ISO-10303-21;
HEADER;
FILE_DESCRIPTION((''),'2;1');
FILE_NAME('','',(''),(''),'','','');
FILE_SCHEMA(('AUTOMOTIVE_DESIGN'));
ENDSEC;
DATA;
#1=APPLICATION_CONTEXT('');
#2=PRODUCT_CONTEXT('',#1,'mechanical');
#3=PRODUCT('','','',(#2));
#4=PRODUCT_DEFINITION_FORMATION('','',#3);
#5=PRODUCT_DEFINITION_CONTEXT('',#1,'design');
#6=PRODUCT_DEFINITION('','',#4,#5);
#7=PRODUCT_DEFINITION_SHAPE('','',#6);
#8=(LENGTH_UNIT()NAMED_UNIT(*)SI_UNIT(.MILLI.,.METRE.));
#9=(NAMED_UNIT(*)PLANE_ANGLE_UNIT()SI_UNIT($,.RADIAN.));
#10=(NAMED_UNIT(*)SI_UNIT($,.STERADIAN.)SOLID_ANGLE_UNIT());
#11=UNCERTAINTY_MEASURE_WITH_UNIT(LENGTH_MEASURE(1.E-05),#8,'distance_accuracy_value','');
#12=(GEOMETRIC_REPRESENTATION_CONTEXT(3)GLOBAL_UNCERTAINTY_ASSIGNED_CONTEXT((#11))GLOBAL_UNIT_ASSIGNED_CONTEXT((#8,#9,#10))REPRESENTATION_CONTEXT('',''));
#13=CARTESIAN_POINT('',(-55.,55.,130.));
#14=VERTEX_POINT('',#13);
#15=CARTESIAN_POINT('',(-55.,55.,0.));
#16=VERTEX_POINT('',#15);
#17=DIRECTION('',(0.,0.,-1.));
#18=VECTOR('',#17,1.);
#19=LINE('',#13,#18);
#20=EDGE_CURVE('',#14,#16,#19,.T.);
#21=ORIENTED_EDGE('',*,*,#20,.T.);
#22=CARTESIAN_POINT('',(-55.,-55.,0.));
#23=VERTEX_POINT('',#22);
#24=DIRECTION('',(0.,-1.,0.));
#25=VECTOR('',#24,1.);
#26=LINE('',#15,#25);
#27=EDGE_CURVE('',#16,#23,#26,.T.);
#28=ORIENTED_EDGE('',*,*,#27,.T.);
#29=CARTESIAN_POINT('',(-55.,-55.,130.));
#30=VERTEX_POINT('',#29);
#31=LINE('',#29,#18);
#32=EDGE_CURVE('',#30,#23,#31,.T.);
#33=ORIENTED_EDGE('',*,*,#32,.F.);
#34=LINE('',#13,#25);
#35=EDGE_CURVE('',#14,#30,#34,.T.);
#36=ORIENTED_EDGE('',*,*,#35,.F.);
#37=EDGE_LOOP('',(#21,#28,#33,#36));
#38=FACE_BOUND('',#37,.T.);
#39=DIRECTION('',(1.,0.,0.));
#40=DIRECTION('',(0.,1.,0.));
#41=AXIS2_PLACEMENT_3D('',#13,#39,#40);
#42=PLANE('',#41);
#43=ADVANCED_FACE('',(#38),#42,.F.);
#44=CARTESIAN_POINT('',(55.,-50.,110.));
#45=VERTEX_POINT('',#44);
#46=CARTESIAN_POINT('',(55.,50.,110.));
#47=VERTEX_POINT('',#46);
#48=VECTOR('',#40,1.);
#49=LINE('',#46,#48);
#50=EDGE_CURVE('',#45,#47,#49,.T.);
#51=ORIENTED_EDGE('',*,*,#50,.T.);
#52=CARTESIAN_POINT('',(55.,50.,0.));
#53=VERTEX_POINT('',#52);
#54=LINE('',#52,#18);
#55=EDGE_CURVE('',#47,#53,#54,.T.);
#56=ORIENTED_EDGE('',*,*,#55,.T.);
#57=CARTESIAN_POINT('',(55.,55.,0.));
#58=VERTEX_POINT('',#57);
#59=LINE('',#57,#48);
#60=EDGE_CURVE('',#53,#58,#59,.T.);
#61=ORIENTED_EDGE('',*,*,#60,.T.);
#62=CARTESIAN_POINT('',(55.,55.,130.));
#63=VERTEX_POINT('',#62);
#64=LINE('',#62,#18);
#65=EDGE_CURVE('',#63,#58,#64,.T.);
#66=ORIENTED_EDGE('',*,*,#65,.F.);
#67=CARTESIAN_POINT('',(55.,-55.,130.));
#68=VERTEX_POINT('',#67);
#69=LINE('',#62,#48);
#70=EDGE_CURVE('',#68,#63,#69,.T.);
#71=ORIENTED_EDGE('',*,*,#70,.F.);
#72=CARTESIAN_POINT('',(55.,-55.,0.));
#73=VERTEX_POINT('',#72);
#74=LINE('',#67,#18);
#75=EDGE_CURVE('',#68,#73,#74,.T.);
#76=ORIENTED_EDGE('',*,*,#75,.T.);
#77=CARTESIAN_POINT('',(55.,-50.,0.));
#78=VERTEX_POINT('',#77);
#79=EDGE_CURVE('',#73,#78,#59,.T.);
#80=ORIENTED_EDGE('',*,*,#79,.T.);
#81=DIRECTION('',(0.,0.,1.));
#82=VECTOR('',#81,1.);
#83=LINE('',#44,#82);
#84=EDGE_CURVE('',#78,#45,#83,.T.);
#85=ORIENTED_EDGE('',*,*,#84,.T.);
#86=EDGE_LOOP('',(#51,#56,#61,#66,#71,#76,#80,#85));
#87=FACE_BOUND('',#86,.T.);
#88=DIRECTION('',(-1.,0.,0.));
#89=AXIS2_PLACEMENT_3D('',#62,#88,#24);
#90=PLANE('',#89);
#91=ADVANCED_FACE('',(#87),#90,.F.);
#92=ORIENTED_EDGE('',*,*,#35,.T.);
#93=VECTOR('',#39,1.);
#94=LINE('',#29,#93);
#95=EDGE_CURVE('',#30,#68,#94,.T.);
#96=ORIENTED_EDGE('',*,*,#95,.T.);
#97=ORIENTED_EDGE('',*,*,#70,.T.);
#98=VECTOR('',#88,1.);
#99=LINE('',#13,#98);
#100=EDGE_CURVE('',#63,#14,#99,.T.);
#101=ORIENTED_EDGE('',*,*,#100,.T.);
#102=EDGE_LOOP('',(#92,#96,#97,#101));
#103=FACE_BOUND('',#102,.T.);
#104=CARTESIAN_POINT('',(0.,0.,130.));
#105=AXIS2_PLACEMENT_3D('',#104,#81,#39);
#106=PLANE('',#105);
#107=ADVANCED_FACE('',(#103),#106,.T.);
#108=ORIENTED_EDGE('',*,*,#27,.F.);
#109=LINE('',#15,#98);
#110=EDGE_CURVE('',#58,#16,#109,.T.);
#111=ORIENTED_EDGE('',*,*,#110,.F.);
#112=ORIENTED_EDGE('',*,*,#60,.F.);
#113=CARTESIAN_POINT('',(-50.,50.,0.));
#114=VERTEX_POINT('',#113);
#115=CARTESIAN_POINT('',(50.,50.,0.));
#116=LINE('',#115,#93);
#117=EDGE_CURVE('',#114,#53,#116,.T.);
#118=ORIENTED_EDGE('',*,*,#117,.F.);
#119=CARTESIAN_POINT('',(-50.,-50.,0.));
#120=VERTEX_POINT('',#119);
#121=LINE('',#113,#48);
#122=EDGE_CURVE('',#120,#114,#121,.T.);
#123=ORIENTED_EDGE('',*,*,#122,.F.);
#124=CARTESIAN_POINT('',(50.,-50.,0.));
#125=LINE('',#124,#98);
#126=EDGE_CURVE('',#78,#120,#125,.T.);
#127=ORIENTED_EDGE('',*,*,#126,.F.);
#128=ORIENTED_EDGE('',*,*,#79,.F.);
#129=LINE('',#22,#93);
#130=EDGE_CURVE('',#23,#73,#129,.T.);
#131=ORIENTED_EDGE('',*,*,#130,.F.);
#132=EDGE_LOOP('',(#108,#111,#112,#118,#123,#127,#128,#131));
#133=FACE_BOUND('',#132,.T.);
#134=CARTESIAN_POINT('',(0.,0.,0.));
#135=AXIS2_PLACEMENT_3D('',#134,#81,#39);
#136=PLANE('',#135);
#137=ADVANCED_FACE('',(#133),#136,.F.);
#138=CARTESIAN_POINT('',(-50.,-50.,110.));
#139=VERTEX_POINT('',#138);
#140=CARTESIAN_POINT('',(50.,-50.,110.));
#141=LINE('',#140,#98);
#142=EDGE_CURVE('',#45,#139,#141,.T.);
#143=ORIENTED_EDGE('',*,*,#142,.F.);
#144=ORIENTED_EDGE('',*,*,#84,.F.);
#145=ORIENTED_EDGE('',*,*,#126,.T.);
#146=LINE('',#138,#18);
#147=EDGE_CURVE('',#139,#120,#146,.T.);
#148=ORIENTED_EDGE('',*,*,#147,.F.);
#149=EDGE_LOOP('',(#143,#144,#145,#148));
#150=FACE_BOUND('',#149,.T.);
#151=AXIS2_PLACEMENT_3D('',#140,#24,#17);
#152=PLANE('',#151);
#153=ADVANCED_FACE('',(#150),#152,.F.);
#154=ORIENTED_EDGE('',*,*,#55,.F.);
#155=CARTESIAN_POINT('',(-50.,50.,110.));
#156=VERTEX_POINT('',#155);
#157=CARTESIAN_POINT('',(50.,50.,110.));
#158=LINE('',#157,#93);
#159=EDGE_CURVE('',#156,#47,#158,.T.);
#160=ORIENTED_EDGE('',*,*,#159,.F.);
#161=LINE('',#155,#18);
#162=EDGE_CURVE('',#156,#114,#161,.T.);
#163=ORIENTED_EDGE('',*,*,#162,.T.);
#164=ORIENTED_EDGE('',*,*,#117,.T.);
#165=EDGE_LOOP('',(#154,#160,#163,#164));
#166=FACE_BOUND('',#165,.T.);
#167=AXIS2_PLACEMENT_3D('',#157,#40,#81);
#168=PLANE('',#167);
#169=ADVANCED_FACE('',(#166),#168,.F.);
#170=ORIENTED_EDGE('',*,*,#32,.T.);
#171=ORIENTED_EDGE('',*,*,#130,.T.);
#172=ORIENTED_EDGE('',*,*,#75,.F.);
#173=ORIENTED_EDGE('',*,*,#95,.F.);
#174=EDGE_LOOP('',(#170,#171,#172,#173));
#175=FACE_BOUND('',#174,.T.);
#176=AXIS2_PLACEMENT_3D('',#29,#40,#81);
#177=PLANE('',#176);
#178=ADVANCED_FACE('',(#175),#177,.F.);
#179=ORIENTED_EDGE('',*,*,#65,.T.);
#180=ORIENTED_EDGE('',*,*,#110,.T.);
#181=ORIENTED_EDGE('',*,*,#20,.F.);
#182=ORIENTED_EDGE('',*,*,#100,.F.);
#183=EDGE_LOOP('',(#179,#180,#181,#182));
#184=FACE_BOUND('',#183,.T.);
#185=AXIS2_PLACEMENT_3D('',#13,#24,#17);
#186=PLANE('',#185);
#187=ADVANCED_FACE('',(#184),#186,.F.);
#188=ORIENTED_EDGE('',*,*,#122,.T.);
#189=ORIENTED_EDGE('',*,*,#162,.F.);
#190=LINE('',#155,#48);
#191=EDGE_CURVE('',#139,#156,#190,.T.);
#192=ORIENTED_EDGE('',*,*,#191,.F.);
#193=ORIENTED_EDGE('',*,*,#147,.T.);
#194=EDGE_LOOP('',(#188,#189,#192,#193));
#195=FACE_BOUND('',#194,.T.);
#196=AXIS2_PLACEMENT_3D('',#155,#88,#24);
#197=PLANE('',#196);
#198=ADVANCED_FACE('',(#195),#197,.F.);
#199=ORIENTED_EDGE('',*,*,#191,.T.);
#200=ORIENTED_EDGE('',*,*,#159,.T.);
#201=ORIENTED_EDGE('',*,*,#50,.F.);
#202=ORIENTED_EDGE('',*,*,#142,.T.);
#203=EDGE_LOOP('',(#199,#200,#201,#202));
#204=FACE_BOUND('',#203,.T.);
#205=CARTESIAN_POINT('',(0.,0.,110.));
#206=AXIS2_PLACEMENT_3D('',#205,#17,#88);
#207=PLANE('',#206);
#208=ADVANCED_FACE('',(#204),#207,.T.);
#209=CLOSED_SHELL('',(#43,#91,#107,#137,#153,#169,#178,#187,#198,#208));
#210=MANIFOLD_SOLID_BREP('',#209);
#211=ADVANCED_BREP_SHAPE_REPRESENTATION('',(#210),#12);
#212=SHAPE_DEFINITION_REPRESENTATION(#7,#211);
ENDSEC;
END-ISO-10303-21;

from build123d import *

# Parameters (mm, degrees)
SKETCH_1_W               = 110
SKETCH_1_H               = 110
EXTRUDE_1_DEPTH          = 130
SKETCH_2_W               = 100
SKETCH_2_H               = 100
CUT_EXTRUDE_1_DEPTH      = 110
CUT_EXTRUDE_2_DEPTH      = 179.955301682
CUT_EXTRUDE_2_DEPTH_BACK = 10


with BuildPart() as part:
    # 草图1 → 凸台-拉伸1 (new body)
    with BuildSketch(Plane.XY):
        Rectangle(SKETCH_1_W, SKETCH_1_H)
    extrude(amount=EXTRUDE_1_DEPTH)

    # 草图2 → 切除-拉伸1 (cut)
    with BuildSketch(Plane(origin=(0, 0, 0), x_dir=(-1, 0, 0), z_dir=(0, 0, -1))):
        Rectangle(SKETCH_2_W, SKETCH_2_H)
    extrude(amount=-CUT_EXTRUDE_1_DEPTH, mode=Mode.SUBTRACT)

    # 草图3 → 切除-拉伸2 (cut, two sides: drawn at the far end of the back side and taken through both)
    with BuildSketch(Plane(origin=(55, 0, 0), x_dir=(0, 0, -1), z_dir=(1, 0, 0)).offset(-CUT_EXTRUDE_2_DEPTH_BACK)):
        Polygon((344.215499341, 50), (0, 50), (-110, 50), (-110, -50), (0, -50), (344.215499341, -50), (1032.646498024, -50), (1032.646498024, 50), align=None)
    extrude(amount=CUT_EXTRUDE_2_DEPTH + CUT_EXTRUDE_2_DEPTH_BACK, mode=Mode.SUBTRACT)


solid = part.part
